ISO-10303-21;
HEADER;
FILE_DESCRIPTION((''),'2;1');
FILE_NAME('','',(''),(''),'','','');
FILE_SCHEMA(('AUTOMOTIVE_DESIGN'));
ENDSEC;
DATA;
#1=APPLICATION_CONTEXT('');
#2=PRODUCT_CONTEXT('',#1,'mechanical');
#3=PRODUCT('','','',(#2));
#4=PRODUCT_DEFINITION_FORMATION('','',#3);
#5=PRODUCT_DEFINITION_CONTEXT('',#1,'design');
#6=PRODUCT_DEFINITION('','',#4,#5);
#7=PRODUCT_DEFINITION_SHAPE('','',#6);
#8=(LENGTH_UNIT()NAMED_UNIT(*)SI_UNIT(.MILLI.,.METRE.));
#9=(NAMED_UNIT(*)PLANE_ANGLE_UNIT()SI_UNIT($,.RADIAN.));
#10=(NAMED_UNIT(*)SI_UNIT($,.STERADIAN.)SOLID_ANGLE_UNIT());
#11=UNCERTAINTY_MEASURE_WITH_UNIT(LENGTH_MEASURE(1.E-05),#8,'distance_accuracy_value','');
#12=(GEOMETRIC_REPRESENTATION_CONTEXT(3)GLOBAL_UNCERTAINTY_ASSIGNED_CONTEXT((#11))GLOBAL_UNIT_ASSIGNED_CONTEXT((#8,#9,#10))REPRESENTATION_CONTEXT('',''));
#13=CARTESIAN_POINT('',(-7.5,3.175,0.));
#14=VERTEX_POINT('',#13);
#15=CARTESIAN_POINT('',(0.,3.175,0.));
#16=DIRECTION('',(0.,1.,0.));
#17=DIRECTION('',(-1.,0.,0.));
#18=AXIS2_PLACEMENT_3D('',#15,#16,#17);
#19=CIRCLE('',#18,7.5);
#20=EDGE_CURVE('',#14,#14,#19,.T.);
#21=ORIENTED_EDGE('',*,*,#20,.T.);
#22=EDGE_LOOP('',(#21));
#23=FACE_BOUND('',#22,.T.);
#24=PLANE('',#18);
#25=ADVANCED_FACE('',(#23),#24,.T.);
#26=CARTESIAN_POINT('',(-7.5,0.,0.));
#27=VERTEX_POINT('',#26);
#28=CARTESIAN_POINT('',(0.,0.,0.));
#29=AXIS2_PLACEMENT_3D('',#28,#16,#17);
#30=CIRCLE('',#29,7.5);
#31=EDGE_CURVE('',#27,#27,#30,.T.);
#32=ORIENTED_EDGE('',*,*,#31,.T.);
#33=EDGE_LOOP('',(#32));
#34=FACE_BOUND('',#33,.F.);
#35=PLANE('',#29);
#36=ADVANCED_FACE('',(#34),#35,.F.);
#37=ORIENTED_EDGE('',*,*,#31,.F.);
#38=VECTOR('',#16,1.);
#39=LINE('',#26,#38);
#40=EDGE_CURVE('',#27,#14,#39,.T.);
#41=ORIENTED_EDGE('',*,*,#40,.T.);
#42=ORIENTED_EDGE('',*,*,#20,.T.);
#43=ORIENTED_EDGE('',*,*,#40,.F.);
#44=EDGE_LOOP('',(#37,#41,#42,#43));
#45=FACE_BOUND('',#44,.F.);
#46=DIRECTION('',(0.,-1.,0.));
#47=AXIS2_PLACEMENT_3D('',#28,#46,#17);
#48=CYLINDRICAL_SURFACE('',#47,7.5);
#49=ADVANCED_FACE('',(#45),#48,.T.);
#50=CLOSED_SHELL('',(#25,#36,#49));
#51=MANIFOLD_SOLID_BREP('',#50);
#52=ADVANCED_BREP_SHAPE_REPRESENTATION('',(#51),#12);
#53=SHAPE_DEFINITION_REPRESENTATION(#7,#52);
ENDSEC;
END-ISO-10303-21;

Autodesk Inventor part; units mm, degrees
ref_plane "YZ Plane" through (0, 0, 0) normal (1, 0, 0) x (0, 1, 0)
ref_plane "XZ Plane" through (0, 0, 0) normal (0, 1, 0) x (-1, 0, 0)
ref_plane "XY Plane" through (0, 0, 0) normal (0, 0, 1) x (1, 0, 0)
sketch "Sketch1" plane through (0, 0, 0) normal (0, 1, 0) x (-1, 0, 0)
  circle A0 centre (0, 0) radius 7.5
  dimension "d0" = 15
extrude "Extrusion1" add sketch "Sketch1" along normal blind 3.175
properties part number "button_part3"
